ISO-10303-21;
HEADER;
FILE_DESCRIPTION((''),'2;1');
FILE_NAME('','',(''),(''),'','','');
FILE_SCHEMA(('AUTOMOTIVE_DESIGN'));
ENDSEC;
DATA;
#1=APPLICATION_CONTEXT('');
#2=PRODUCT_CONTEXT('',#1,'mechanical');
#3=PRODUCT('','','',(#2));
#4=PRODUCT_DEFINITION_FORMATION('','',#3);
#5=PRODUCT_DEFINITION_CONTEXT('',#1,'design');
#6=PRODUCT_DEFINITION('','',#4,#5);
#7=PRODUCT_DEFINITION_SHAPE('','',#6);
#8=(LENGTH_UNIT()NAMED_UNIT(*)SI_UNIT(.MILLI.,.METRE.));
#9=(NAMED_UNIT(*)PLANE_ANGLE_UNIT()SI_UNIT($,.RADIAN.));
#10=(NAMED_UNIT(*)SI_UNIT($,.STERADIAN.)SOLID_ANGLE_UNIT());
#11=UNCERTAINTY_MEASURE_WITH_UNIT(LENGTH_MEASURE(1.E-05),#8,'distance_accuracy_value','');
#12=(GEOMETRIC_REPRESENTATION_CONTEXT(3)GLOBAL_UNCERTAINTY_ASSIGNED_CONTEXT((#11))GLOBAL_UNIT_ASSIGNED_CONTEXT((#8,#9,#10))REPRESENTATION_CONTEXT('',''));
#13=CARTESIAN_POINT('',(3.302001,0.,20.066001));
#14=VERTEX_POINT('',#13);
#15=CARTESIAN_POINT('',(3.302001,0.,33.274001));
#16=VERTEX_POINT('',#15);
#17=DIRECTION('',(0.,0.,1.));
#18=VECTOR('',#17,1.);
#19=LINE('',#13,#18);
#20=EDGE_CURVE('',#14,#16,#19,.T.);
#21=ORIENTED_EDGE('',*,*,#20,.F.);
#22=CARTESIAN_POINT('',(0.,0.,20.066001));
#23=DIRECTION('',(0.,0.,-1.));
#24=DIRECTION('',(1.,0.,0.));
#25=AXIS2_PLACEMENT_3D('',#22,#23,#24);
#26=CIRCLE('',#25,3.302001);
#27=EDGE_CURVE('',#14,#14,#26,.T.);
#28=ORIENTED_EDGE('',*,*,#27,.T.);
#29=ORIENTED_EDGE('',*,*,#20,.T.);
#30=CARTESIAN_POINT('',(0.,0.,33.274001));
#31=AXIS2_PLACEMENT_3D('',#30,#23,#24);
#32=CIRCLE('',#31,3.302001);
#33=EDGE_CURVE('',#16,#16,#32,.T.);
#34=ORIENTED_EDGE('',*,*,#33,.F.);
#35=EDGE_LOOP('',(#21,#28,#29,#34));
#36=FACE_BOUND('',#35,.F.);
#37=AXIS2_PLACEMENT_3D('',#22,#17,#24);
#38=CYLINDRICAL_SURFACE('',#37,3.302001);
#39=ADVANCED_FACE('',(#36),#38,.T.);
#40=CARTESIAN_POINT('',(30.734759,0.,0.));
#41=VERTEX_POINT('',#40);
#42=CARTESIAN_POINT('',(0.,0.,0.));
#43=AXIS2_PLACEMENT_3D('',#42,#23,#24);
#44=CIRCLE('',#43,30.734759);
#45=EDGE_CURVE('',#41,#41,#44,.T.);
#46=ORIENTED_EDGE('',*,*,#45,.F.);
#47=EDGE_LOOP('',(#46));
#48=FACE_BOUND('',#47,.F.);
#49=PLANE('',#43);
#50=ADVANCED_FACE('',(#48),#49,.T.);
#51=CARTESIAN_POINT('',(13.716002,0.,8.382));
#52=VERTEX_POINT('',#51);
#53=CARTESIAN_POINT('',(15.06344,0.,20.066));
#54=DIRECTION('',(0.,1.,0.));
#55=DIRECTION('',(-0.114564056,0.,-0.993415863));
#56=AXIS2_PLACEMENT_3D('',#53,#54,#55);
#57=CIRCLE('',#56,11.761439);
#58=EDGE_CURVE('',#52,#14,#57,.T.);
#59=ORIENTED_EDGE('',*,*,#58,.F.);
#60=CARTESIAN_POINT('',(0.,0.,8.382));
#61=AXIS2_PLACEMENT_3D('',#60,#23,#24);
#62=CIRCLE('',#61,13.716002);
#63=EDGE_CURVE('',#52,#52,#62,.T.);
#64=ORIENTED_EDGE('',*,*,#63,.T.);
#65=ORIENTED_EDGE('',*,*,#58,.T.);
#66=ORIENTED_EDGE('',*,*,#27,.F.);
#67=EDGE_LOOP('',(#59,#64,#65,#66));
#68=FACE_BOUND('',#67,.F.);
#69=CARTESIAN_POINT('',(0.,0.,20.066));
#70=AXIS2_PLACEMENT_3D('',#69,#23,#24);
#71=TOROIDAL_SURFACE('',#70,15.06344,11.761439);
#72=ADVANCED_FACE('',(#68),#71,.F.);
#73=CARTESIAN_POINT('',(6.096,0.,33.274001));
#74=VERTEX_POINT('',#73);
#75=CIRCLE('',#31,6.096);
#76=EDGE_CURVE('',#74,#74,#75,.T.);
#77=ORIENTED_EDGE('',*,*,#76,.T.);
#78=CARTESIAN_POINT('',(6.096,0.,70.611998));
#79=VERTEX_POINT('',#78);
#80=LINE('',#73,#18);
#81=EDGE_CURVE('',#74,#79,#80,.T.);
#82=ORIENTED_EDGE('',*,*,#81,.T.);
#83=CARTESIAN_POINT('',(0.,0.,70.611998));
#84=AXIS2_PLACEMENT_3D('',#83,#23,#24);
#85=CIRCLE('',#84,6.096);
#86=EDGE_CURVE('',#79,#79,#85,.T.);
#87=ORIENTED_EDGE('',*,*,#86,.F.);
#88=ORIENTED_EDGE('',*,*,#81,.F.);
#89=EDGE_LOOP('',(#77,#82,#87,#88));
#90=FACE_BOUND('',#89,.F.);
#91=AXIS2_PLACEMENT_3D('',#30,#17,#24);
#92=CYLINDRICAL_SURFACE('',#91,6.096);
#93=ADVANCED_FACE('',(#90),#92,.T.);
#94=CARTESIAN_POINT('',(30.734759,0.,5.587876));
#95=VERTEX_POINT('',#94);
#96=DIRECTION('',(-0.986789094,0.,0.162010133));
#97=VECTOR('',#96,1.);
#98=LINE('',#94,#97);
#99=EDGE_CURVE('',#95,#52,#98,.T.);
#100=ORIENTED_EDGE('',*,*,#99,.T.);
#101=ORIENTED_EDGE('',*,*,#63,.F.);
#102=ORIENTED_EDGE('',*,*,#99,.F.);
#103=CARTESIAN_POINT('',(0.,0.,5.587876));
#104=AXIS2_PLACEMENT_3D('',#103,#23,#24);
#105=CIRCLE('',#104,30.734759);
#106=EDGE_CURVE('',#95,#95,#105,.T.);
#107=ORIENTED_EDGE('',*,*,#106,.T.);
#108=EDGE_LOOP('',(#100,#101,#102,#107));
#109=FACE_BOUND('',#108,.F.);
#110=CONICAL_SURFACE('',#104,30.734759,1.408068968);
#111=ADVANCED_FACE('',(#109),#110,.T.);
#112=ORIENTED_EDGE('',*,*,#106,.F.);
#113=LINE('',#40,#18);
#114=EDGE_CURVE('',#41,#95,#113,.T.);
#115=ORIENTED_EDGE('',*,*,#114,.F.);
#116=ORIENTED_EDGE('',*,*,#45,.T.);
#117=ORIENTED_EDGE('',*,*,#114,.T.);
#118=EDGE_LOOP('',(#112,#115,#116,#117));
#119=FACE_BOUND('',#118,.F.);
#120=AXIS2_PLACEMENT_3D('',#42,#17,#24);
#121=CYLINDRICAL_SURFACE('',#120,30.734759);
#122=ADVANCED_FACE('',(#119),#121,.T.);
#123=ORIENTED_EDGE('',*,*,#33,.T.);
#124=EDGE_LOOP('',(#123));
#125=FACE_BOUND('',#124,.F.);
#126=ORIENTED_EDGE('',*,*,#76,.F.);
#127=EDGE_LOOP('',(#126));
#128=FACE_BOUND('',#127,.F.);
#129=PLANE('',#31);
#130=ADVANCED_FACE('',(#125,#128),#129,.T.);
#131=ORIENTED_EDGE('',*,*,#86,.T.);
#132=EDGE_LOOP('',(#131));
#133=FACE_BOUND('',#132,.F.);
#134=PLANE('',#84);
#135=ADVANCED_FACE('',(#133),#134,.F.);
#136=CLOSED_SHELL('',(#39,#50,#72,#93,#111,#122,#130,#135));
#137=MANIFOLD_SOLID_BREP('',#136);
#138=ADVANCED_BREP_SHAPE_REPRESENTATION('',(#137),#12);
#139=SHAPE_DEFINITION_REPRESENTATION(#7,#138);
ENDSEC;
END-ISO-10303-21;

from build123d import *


with BuildPart() as f1:
    # F0 (on Front) → F1 (revolve)
    with BuildSketch(Plane.XZ):
        with BuildLine():
            Line((6.096, 70.611998), (0, 70.611998))
            Line((0, 70.611998), (0, 0))
            Line((0, 0), (30.734759, 0))
            Line((30.734759, 0), (30.734759, 5.587876))
            Line((30.734759, 5.587876), (13.716002, 8.382))
            ThreePointArc((13.716002, 8.382), (6.28337, 12.240285), (3.302001, 20.066001))
            Line((3.302001, 20.066001), (3.302001, 33.274001))
            Line((3.302001, 33.274001), (6.096, 33.274001))
            Line((6.096, 33.274001), (6.096, 70.611998))
        make_face()
    revolve(axis=Axis((0, 0, 35.305999), (0, 0, -1)))


solid = f1.part
